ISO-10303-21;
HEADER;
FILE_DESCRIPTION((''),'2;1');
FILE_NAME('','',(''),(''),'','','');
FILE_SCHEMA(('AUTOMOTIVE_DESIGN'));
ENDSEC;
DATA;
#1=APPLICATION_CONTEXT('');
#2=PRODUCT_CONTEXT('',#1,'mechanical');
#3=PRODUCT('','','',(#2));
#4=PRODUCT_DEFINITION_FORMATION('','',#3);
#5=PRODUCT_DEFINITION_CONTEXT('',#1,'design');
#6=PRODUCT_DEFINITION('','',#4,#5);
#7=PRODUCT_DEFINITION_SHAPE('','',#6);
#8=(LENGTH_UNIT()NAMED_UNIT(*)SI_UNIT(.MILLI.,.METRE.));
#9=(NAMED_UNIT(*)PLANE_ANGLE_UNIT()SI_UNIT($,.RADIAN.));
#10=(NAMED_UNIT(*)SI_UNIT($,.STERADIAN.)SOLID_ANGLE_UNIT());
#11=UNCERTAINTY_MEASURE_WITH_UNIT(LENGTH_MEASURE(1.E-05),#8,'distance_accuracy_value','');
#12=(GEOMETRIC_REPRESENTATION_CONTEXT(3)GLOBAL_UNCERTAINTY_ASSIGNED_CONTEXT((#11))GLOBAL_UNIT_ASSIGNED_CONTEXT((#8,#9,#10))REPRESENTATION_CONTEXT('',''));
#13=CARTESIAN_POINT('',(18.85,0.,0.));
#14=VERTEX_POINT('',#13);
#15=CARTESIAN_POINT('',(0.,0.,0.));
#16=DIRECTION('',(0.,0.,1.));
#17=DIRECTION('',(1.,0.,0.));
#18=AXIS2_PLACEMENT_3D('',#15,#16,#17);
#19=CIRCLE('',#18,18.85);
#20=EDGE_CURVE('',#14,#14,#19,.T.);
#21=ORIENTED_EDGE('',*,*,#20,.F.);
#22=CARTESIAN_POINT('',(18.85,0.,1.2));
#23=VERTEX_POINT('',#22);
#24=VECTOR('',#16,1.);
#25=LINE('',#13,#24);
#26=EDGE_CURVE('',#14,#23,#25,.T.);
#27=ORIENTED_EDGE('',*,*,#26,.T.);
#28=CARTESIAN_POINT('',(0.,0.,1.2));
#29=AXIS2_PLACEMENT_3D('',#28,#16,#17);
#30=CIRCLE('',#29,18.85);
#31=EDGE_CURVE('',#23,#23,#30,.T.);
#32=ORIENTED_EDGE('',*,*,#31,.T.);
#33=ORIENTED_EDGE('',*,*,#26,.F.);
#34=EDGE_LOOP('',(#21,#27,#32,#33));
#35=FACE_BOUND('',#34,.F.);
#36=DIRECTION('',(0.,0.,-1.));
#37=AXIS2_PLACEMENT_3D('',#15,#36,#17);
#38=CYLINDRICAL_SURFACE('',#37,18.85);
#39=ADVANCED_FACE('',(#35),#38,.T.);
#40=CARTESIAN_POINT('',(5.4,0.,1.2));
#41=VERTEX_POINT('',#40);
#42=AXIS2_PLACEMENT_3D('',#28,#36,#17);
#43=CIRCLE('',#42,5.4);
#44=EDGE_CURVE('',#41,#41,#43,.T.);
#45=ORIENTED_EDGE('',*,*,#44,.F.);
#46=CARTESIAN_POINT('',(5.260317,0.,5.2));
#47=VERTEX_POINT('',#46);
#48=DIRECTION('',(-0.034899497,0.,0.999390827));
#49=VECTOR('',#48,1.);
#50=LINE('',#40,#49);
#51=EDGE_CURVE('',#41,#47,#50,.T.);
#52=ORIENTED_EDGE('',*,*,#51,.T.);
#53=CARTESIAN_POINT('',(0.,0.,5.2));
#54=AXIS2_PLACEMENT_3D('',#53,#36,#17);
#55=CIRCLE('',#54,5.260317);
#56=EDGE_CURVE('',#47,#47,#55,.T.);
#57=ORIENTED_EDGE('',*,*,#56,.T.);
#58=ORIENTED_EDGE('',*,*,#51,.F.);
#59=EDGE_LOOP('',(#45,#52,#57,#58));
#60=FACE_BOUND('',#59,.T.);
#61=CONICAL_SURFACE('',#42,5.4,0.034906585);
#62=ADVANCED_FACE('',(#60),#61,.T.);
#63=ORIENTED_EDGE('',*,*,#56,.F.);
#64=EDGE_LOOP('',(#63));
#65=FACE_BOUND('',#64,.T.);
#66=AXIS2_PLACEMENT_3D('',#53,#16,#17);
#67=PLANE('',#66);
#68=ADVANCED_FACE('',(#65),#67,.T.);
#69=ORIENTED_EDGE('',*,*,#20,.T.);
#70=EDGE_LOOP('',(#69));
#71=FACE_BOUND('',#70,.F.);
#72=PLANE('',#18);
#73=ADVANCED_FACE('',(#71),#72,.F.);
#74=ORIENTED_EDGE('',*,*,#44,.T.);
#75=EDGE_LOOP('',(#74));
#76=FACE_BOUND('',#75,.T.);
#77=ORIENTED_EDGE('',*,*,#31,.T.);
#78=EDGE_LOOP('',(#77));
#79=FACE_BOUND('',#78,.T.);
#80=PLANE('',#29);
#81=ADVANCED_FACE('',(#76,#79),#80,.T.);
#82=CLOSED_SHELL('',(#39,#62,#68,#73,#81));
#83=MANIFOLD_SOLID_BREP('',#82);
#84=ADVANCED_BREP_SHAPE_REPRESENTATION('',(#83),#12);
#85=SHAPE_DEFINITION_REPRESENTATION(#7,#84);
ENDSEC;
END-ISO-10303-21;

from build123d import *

# Parameters (mm, degrees)
F0_R     = 18.85
F1_DEPTH = 1.2
F2_R     = 5.4
F3_DEPTH = 4
F3_TAPER = 2


with BuildPart() as f1:
    # F0 (on Top) → F1 (new body)
    with BuildSketch(Plane.XY):
        Circle(F0_R)
    extrude(amount=F1_DEPTH)

    # F2 (on face) → F3 (join)
    with BuildSketch(Plane.XY.offset(1.2)):
        Circle(F2_R)
    extrude(amount=F3_DEPTH, taper=F3_TAPER)


solid = f1.part
